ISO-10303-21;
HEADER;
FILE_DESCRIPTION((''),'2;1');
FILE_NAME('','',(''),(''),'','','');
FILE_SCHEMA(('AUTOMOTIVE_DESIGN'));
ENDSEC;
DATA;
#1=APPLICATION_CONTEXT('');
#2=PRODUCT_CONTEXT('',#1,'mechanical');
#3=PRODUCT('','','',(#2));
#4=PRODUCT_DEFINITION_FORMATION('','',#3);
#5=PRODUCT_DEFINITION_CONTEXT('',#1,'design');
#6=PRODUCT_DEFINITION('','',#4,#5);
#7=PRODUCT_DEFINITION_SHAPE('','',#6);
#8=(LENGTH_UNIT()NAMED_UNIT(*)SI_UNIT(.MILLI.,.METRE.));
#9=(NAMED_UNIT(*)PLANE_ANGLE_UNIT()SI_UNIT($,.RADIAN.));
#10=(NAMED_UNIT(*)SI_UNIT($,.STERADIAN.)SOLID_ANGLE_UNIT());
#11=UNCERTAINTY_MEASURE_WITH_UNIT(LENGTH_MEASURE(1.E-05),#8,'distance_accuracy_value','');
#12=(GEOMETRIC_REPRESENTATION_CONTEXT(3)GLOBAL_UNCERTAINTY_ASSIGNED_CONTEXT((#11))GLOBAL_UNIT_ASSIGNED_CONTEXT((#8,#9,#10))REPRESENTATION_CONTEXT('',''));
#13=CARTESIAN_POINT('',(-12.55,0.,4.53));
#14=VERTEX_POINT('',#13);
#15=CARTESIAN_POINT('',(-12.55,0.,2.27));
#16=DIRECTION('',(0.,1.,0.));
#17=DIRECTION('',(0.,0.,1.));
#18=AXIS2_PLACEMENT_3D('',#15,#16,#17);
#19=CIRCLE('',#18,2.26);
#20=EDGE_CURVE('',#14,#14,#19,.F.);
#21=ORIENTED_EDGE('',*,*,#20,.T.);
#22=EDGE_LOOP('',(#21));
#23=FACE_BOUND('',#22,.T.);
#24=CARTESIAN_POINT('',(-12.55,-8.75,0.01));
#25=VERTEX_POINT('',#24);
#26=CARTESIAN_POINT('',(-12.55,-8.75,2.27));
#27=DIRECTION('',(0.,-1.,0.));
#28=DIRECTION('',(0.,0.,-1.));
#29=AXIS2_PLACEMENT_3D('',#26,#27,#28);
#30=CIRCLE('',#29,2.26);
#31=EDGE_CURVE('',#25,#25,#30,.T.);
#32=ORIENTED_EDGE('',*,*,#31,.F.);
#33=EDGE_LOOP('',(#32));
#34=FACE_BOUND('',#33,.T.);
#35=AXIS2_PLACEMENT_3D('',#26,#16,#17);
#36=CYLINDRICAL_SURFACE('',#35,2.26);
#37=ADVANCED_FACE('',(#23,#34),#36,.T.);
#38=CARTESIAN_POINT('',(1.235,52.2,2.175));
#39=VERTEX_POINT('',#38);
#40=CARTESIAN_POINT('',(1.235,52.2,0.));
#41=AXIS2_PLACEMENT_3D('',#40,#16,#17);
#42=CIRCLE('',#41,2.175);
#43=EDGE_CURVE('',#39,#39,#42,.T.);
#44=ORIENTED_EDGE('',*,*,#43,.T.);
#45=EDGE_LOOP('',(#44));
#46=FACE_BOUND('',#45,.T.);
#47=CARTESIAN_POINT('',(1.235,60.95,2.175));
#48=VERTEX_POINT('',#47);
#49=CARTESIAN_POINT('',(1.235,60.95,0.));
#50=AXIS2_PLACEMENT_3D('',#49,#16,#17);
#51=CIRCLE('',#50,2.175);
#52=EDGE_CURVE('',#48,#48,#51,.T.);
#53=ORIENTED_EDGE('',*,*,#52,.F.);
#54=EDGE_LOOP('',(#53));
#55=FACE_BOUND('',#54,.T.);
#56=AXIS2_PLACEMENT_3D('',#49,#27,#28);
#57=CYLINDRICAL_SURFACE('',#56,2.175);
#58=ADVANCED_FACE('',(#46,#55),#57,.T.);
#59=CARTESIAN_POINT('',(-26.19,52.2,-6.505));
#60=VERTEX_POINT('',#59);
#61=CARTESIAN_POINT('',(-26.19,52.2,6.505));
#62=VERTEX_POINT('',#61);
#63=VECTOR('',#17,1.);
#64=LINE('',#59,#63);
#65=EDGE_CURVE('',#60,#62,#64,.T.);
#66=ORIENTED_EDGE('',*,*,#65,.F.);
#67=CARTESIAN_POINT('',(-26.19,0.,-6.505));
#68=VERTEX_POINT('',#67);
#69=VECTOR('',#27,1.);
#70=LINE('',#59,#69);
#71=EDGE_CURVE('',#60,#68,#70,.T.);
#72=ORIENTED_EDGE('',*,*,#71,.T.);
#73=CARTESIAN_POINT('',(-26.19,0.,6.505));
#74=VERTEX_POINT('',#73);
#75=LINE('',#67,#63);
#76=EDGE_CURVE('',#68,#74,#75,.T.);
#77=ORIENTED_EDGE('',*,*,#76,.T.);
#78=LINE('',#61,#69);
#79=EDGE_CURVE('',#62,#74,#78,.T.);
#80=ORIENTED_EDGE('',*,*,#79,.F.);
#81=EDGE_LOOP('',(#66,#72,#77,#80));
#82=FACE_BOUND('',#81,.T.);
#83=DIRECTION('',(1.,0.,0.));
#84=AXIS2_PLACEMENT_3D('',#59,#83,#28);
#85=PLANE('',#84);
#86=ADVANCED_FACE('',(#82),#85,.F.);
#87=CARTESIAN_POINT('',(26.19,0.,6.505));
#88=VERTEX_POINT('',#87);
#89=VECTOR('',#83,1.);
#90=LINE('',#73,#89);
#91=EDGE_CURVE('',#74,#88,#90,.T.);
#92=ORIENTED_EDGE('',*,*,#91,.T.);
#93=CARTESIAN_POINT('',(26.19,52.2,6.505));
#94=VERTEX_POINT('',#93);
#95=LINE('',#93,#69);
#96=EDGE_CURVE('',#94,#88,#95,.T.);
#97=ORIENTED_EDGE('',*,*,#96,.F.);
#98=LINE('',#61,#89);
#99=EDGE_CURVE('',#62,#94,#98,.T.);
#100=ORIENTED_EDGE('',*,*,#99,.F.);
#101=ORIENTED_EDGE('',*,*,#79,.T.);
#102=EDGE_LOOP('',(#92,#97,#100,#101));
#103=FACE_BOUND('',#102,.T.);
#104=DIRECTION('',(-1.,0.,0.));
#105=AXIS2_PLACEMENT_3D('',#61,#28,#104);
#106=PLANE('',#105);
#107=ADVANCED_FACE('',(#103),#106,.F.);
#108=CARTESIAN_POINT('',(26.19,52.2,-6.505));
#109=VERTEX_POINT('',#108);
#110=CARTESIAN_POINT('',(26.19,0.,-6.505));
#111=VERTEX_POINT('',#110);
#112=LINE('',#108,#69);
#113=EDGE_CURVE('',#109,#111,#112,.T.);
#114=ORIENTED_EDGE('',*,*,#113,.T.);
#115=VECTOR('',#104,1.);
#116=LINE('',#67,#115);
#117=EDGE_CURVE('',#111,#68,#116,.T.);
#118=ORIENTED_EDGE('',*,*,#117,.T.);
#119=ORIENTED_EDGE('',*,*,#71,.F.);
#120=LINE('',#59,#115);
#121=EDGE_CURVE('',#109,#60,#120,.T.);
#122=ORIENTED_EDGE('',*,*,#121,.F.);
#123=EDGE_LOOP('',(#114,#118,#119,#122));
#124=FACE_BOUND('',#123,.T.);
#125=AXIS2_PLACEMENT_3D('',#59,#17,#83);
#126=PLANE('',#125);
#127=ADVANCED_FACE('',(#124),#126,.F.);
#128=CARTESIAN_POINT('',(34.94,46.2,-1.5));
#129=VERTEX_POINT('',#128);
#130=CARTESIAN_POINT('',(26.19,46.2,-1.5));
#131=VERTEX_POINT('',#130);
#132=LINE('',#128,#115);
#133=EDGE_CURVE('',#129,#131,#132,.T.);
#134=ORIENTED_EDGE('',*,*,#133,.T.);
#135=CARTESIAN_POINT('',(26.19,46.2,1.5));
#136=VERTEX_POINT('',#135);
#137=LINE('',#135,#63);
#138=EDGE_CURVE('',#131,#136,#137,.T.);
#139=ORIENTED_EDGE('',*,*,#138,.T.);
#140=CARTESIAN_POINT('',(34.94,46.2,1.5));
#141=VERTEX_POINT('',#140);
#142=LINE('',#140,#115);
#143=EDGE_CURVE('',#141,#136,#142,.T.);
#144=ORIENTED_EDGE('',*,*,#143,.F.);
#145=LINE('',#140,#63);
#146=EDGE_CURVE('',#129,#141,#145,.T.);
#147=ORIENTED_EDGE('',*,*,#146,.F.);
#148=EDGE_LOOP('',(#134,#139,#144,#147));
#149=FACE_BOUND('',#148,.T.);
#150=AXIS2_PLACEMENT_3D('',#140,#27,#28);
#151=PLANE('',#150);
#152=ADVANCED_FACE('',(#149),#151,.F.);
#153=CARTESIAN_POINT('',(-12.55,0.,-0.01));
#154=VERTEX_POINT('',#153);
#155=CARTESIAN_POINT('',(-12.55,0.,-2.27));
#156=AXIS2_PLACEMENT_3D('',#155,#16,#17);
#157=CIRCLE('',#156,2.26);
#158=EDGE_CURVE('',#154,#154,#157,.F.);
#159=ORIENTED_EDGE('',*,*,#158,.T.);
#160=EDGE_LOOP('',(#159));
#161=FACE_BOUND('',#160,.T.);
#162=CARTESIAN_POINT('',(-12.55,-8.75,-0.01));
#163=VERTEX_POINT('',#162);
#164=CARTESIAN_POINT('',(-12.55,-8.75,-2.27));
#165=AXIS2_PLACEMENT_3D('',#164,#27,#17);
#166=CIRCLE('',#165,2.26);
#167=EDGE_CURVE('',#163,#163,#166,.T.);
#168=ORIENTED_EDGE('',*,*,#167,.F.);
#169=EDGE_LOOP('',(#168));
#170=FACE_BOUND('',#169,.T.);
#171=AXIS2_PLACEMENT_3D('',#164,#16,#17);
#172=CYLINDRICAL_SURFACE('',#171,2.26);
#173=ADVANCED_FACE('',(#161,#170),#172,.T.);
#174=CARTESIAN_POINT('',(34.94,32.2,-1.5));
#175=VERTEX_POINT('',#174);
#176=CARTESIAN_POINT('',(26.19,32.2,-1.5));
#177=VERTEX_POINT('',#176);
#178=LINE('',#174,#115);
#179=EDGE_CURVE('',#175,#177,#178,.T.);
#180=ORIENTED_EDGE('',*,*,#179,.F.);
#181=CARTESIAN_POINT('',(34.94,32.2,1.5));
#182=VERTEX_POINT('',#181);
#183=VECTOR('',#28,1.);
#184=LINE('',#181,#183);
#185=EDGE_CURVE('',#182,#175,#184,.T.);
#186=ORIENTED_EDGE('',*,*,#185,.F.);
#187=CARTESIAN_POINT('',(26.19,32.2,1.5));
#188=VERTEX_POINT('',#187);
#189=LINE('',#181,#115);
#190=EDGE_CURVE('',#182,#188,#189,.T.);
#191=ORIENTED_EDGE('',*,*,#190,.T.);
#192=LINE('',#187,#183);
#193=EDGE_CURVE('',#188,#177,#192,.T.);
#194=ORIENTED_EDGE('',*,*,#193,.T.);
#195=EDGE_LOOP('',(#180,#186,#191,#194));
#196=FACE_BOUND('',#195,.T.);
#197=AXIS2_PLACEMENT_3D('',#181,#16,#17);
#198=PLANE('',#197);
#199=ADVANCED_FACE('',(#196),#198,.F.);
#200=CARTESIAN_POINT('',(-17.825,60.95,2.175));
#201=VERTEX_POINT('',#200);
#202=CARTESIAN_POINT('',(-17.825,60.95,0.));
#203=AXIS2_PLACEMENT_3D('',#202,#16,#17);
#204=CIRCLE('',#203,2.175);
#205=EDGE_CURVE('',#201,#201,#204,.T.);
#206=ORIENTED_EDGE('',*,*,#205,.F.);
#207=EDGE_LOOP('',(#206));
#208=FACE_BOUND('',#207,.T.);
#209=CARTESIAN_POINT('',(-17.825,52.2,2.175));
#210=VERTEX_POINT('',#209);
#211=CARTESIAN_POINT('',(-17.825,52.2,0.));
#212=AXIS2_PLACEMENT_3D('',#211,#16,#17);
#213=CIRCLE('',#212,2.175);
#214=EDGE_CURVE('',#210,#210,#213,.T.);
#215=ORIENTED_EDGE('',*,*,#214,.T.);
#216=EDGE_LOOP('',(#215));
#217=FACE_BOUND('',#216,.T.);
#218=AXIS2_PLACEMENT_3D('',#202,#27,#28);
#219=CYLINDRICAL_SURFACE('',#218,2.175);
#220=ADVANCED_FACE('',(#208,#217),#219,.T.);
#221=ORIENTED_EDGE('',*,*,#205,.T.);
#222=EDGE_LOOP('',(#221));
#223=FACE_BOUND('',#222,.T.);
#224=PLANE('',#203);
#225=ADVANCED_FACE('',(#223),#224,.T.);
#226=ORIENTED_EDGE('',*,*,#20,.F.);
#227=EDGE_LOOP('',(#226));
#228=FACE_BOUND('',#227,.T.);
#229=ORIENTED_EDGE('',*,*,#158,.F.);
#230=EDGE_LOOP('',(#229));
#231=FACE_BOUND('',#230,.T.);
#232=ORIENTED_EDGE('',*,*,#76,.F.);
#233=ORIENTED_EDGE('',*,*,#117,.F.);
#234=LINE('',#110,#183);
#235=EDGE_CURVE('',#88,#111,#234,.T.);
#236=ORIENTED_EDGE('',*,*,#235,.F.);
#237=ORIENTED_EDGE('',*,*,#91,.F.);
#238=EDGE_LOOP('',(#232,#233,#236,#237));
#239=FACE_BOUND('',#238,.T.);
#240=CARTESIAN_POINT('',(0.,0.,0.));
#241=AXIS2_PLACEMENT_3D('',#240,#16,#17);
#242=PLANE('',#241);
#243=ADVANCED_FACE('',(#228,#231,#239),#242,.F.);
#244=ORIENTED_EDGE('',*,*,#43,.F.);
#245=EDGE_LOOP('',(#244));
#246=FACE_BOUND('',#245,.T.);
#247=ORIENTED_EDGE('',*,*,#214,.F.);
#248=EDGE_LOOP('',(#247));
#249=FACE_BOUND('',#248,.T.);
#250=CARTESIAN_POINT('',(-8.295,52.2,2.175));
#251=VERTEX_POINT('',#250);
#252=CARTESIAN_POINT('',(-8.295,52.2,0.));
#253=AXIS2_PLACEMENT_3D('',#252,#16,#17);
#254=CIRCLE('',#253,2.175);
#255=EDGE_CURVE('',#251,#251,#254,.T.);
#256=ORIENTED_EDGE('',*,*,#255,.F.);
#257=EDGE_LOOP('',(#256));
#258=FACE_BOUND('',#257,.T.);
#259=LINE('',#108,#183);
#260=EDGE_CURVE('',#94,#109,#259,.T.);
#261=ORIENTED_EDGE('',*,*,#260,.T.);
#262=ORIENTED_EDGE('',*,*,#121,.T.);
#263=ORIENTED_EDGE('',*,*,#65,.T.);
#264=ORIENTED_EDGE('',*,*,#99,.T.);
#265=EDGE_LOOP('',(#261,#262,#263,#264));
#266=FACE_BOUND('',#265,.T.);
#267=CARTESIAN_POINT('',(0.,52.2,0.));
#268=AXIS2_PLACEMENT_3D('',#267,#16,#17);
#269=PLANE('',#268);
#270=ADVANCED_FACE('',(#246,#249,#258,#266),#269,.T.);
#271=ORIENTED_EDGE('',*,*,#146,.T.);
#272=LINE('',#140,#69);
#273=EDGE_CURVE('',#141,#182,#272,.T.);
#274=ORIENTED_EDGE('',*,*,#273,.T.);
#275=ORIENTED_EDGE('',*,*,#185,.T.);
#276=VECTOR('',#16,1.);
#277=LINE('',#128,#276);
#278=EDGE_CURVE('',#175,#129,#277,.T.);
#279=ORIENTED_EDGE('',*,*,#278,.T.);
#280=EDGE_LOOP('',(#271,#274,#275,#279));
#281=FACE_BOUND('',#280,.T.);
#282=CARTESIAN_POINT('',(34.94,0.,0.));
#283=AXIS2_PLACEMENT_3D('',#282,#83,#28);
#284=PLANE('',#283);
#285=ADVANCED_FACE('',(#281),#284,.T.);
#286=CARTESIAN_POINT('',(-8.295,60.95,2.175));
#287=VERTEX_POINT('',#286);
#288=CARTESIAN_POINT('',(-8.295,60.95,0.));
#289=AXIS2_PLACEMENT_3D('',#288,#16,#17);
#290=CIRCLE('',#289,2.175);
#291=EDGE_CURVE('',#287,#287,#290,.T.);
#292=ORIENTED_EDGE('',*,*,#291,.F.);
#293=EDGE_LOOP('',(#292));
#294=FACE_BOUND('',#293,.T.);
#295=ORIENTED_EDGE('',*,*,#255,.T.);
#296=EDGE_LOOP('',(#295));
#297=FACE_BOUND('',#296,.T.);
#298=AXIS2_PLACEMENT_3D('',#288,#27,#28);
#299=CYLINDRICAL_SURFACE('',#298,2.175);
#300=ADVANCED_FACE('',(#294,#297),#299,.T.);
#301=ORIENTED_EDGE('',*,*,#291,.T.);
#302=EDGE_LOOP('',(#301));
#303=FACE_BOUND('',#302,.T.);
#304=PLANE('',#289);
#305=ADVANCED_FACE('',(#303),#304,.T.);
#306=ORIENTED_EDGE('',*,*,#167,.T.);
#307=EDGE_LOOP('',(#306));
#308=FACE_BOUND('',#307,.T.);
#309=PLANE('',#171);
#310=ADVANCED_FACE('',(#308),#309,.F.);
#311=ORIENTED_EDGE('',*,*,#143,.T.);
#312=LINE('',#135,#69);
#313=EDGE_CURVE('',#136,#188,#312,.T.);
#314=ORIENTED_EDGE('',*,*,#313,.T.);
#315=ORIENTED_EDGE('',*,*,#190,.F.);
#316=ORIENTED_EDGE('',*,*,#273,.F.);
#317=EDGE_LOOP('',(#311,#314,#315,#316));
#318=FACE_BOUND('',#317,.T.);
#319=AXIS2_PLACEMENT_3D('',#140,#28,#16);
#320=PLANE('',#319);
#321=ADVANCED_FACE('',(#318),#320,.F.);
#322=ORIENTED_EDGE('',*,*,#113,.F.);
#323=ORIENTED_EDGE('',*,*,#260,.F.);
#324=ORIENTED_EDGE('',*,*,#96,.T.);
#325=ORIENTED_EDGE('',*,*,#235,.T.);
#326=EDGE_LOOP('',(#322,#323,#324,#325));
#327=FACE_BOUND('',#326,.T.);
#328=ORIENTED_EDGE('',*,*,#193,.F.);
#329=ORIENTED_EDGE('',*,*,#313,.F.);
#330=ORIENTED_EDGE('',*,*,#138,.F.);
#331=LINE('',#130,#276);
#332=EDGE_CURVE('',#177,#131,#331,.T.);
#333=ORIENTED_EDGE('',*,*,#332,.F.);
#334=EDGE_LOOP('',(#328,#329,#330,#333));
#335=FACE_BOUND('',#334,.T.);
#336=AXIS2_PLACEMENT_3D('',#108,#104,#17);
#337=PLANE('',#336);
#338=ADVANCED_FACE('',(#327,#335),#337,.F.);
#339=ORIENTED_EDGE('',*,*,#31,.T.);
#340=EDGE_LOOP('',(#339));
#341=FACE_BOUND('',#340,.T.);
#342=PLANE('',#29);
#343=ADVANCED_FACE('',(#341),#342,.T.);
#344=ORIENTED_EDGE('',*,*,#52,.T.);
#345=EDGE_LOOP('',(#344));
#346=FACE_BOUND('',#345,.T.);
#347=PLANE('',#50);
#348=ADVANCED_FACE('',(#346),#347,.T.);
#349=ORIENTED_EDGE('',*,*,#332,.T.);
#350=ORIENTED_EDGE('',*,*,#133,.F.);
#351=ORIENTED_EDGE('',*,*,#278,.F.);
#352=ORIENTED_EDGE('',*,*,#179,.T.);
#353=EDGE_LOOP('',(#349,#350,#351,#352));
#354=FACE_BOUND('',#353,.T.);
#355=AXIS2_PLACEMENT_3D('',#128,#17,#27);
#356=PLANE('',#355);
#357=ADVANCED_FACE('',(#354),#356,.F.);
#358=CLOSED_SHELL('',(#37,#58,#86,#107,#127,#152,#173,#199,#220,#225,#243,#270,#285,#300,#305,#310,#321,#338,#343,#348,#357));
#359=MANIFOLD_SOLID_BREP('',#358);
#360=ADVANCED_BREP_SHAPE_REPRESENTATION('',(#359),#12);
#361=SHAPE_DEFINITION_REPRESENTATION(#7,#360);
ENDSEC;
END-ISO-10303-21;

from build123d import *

# Parameters (mm, degrees)
SKETCH1_W           = 52.38
SKETCH1_H           = 13.01
BOSS_EXTRUDE1_DEPTH = 52.2
SKETCH2_R           = 2.26
BOSS_EXTRUDE6_DEPTH = 8.75
SKETCH3_R           = 2.175
BOSS_EXTRUDE7_DEPTH = 8.75
SKETCH4_W           = 3
SKETCH4_H           = 14
BOSS_EXTRUDE8_DEPTH = 8.75


with BuildPart() as part:
    # Sketch1 → Boss-Extrude1 (new body)
    with BuildSketch(Plane(origin=(0, 0, 0), x_dir=(1, 0, 0), z_dir=(0, 1, 0))):
        Rectangle(SKETCH1_W, SKETCH1_H)
    extrude(amount=BOSS_EXTRUDE1_DEPTH)

    # Sketch2 → Boss-Extrude6 (add)
    with BuildSketch(Plane(origin=(0, 0, 0), x_dir=(-1, 0, 0), z_dir=(0, -1, 0))):
        with Locations((12.55, -2.27)):
            Circle(SKETCH2_R)
        with Locations((12.55, 2.27)):
            Circle(SKETCH2_R)
    extrude(amount=BOSS_EXTRUDE6_DEPTH)

    # Sketch3 → Boss-Extrude7 (add)
    with BuildSketch(Plane(origin=(0, 52.2, 0), x_dir=(1, 0, 0), z_dir=(0, 1, 0))):
        with Locations((-17.825, 0)):
            Circle(SKETCH3_R)
        with Locations((-8.295, 0)):
            Circle(SKETCH3_R)
        with Locations((1.235, 0)):
            Circle(SKETCH3_R)
    extrude(amount=BOSS_EXTRUDE7_DEPTH)

    # Sketch4 → Boss-Extrude8 (add)
    with BuildSketch(Plane(origin=(26.19, 0, 0), x_dir=(0, 0, -1), z_dir=(1, 0, 0))):
        with Locations((0, 39.2)):
            Rectangle(SKETCH4_W, SKETCH4_H)
    extrude(amount=BOSS_EXTRUDE8_DEPTH)


solid = part.part
